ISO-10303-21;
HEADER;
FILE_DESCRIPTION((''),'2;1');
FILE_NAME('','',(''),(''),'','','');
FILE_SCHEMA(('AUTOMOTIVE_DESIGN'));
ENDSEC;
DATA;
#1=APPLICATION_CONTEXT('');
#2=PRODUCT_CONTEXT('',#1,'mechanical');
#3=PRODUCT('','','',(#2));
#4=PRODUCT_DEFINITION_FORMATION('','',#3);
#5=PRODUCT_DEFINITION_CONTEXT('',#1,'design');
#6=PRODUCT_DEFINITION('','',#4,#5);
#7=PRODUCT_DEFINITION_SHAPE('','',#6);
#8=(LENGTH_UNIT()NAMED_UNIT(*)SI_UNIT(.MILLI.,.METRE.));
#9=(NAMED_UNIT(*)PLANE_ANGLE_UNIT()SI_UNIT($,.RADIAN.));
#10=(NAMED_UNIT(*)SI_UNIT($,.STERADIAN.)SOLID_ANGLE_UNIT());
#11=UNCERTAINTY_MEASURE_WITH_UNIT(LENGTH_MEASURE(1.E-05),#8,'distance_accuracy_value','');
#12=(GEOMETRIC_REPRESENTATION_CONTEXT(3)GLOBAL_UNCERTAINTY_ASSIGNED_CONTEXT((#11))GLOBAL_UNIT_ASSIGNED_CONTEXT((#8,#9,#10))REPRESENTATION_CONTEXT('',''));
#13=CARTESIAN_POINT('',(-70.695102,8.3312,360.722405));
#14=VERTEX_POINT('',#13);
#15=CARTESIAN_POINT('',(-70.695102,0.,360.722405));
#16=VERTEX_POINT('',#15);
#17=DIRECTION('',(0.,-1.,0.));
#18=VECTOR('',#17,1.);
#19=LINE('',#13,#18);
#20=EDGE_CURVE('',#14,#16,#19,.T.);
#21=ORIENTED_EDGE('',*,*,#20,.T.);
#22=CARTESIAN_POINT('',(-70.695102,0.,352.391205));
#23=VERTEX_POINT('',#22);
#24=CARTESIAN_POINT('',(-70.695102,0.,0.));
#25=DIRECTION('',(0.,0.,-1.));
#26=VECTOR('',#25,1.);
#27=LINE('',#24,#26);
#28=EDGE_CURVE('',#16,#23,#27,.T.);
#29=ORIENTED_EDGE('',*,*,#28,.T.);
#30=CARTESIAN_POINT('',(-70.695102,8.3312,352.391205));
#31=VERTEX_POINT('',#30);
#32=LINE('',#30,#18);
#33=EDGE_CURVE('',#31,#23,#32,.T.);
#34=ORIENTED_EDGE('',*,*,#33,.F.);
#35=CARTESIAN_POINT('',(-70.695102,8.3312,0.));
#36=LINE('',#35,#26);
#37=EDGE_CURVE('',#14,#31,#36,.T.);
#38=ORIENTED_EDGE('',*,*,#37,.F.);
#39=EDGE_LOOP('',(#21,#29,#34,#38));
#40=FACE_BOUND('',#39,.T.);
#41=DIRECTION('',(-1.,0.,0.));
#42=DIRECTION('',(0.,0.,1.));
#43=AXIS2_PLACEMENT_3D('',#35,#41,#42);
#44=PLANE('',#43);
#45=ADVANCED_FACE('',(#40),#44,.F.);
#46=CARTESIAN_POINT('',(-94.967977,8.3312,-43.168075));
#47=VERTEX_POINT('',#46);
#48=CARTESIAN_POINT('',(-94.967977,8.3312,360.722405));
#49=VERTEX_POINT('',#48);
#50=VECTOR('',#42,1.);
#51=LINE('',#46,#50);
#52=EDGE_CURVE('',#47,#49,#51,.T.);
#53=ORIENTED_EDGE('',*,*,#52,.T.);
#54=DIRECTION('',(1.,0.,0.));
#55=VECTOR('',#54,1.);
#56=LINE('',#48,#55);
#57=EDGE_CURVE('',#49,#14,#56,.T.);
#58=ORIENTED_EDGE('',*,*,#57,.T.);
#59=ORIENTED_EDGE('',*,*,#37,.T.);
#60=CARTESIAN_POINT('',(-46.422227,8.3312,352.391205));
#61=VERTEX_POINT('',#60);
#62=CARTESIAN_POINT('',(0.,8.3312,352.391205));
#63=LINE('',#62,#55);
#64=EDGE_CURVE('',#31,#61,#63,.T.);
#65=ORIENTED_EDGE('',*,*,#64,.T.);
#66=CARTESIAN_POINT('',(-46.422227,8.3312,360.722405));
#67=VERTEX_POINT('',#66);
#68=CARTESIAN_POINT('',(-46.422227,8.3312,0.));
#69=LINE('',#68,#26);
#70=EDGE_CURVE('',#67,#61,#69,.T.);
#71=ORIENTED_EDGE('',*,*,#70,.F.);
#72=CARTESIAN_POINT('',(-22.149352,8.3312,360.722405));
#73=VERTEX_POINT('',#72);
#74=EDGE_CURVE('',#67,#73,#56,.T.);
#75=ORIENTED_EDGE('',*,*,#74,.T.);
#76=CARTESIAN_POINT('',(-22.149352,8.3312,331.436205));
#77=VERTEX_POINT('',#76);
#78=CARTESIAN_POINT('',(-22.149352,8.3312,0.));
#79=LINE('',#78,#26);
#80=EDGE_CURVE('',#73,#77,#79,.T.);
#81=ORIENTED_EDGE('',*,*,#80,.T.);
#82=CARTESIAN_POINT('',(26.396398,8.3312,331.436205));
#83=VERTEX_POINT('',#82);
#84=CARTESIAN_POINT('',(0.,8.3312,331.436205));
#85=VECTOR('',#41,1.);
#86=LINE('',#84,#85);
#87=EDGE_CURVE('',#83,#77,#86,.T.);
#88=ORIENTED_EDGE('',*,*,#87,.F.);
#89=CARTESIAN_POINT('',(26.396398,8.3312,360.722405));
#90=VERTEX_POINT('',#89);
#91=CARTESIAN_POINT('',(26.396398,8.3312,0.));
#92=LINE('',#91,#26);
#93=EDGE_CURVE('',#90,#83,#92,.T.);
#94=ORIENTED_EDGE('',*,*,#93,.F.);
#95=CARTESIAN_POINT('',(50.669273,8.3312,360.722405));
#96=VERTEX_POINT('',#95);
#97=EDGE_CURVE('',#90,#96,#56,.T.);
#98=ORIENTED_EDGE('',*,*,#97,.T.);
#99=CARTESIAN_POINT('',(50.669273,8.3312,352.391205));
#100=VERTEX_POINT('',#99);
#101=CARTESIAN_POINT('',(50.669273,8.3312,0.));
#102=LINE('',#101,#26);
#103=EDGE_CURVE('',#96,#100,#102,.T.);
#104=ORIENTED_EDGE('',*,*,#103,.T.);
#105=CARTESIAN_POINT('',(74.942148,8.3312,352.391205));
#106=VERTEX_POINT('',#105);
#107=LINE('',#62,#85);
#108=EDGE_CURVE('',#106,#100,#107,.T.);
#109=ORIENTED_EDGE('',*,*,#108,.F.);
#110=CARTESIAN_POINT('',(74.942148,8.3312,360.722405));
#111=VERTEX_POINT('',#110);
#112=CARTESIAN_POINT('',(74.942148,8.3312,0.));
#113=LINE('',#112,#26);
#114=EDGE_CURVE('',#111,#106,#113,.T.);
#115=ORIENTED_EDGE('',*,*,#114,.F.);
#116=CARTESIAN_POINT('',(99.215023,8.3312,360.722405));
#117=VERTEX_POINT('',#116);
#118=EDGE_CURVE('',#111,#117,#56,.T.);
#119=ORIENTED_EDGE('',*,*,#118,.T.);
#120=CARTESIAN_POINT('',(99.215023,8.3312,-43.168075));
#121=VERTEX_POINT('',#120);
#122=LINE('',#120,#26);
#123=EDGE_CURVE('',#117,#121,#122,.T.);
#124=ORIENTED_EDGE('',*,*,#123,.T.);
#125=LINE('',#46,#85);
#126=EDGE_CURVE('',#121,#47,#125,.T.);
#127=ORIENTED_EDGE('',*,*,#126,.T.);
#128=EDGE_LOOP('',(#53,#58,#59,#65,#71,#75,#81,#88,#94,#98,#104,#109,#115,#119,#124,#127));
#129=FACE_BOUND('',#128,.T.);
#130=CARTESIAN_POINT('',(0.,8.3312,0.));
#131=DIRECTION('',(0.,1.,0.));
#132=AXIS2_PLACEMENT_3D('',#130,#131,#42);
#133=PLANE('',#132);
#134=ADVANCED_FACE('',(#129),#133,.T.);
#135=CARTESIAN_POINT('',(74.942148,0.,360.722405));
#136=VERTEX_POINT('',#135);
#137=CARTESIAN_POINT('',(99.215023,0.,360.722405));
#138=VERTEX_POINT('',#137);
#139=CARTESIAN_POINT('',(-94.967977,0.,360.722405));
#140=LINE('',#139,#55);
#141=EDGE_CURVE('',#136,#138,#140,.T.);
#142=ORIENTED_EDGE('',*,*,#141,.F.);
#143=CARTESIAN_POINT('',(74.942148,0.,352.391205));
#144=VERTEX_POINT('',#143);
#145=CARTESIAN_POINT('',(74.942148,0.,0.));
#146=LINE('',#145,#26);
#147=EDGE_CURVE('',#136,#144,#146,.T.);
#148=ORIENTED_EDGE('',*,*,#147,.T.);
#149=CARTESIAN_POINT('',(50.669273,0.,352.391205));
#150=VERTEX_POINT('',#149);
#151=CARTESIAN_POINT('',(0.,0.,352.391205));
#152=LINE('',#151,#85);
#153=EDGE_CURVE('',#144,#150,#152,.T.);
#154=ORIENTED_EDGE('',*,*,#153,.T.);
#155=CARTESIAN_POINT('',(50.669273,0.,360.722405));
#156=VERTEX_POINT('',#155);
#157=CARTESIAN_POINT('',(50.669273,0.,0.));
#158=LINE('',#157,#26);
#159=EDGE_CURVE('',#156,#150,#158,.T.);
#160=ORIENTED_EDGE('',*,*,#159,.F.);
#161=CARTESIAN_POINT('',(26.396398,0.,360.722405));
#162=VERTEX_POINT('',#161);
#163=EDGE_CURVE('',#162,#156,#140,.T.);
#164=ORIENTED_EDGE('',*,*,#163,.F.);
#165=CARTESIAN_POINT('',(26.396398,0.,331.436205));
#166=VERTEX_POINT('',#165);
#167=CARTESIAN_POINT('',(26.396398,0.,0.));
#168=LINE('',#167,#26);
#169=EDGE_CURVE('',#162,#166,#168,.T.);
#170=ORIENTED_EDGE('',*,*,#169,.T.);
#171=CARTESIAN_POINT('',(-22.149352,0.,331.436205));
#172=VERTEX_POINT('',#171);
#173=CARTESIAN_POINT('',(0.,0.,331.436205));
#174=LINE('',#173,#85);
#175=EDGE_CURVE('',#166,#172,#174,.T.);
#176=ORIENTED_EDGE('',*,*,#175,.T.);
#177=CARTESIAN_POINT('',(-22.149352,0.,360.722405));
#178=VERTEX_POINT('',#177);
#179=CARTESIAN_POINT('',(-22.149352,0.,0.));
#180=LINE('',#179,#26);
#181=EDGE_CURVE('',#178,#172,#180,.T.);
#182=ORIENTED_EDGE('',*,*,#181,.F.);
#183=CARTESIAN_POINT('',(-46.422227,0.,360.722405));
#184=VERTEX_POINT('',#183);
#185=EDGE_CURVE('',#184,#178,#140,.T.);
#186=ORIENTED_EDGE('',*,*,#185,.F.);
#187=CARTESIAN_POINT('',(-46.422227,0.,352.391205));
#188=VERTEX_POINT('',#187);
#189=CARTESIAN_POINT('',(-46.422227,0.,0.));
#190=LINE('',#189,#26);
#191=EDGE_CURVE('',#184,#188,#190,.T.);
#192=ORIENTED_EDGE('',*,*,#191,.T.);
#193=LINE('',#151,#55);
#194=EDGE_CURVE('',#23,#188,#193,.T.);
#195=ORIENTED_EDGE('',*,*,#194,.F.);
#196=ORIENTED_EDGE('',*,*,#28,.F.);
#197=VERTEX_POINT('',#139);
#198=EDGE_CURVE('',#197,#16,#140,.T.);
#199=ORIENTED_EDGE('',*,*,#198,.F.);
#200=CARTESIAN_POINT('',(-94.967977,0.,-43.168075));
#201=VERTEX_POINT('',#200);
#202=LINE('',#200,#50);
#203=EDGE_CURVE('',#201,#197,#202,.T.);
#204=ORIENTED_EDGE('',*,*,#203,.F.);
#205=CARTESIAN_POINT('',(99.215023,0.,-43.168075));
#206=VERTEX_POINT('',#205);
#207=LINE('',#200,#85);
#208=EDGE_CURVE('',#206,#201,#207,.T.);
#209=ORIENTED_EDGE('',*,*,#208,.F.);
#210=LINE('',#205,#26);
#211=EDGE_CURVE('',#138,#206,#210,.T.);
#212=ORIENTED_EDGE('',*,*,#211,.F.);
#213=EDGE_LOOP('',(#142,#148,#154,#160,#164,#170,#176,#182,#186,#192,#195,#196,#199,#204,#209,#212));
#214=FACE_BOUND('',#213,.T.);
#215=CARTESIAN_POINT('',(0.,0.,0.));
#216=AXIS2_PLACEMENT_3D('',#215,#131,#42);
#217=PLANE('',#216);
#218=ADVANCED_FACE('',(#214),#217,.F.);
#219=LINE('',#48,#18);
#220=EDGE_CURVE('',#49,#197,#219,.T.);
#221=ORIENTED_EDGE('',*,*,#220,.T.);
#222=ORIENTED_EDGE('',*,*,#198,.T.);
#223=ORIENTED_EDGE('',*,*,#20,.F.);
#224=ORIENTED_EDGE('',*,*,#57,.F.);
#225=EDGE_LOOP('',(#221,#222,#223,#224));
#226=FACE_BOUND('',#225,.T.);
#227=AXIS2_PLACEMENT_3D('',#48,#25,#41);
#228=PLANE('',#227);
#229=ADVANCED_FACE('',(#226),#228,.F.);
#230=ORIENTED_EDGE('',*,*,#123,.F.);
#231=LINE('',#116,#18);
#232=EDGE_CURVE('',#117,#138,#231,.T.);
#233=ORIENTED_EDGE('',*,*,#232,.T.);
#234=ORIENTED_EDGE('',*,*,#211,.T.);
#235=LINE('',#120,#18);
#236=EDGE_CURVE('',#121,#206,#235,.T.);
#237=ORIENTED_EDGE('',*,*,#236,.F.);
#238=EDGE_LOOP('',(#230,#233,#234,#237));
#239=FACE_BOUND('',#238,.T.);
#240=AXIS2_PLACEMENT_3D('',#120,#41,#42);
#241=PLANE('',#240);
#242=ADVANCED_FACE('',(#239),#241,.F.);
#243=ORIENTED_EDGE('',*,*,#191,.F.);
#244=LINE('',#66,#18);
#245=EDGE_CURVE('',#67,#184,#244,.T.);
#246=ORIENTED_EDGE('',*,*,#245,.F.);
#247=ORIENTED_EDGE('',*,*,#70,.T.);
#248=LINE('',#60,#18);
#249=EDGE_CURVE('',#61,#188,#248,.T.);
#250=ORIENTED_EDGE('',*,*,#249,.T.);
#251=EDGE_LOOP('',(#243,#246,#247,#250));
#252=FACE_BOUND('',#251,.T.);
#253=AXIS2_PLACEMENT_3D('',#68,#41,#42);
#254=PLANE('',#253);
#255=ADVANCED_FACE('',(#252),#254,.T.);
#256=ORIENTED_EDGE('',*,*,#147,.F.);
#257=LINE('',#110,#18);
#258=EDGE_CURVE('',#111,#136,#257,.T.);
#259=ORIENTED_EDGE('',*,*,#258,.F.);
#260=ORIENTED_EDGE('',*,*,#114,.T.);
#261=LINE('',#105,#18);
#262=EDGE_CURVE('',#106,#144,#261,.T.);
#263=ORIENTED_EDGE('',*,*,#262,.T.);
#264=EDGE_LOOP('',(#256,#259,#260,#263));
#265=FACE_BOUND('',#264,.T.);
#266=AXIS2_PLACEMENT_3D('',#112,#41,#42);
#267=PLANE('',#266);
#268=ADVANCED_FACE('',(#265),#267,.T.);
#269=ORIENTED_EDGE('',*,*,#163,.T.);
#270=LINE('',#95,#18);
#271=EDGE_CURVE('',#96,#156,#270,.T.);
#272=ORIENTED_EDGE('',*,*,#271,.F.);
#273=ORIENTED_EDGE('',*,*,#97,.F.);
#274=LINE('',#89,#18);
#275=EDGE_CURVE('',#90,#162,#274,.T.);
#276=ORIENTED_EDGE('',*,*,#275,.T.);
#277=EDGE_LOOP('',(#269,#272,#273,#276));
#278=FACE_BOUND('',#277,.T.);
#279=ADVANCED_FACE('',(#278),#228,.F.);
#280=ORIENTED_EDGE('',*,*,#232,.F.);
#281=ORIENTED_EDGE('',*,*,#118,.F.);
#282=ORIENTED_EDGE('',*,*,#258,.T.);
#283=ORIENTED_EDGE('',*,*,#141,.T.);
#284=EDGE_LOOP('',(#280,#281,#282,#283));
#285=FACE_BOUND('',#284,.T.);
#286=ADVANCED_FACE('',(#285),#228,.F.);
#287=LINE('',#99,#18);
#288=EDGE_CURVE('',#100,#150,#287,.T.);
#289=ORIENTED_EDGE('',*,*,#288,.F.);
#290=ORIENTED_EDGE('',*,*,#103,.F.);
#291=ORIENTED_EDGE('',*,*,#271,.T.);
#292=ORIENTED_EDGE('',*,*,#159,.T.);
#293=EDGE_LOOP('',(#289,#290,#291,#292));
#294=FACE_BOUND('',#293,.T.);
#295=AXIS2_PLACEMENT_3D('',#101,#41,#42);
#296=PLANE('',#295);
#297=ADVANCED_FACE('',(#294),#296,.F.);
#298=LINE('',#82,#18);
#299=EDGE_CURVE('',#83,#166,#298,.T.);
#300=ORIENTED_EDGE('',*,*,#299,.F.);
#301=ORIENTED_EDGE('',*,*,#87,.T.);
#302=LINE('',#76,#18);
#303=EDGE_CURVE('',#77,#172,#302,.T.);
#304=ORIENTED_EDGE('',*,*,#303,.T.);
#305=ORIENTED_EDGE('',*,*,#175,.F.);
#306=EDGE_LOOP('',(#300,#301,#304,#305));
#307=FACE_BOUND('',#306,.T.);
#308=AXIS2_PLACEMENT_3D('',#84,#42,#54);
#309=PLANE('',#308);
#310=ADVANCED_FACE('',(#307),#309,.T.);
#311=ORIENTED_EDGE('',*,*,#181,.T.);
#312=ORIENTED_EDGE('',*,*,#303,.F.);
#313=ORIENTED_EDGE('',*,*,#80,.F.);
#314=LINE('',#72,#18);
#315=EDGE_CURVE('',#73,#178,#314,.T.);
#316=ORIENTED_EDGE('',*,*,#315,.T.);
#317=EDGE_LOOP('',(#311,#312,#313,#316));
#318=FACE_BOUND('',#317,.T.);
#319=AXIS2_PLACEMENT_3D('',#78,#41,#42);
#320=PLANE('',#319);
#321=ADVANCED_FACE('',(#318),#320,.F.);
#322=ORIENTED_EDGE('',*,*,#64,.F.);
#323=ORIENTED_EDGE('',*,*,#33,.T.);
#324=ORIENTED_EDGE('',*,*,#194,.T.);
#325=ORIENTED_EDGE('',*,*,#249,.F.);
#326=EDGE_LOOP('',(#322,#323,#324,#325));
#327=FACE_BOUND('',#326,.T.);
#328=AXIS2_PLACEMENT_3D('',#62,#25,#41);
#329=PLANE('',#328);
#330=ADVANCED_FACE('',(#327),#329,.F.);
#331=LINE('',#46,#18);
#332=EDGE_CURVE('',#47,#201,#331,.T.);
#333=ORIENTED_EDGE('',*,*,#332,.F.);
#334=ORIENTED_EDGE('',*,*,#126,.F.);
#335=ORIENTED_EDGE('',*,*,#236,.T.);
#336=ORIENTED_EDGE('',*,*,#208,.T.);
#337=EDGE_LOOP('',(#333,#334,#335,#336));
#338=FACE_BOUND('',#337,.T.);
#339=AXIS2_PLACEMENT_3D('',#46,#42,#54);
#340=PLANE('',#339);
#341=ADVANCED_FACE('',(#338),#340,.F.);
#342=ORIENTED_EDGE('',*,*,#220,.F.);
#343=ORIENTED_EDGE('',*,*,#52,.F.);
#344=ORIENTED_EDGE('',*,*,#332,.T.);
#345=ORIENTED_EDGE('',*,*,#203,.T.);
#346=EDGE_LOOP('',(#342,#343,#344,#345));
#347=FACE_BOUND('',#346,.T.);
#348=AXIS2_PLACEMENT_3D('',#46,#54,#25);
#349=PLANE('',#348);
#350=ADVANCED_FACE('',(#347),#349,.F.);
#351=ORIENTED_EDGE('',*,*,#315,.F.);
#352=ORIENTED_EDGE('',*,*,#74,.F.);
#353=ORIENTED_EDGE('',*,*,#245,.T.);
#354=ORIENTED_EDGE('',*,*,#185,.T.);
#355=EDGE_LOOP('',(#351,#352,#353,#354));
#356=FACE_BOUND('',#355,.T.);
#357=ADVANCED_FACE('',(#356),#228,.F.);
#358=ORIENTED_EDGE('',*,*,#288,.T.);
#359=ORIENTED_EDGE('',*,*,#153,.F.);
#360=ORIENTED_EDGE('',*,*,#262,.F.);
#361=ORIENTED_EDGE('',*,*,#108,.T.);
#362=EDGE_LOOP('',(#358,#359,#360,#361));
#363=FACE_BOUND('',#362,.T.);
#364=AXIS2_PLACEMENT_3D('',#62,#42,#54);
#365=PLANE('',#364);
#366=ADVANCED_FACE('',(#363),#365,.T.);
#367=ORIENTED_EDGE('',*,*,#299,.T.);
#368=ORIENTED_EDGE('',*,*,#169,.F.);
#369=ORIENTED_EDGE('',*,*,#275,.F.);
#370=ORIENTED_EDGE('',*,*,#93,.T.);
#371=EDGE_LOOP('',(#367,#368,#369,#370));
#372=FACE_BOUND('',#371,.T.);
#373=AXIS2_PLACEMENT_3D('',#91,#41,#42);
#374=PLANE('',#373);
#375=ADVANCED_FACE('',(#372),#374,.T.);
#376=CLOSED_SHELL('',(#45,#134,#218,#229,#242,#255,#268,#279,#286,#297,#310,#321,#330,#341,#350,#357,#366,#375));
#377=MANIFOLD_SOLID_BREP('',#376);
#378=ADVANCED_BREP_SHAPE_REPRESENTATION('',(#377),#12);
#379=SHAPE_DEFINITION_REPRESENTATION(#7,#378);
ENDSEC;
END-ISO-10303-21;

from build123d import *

# Parameters (mm, degrees)
SKETCH1_W           = 194.183
SKETCH1_H           = 403.89048
BOSS_EXTRUDE1_DEPTH = 8.3312
SKETCH2_W           = 24.272875
SKETCH2_H           = 8.3312
SKETCH2_H_2         = 29.2862
CUT_EXTRUDE1_DEPTH  = 375.210746987


with BuildPart() as part:
    # Sketch1 → Boss-Extrude1 (new body)
    with BuildSketch(Plane(origin=(0, 0, 0), x_dir=(1, 0, 0), z_dir=(0, 1, 0))):
        with Locations((2.123523474, -158.777164883)):
            Rectangle(SKETCH1_W, SKETCH1_H)
    extrude(amount=BOSS_EXTRUDE1_DEPTH)

    # Sketch2 → Cut-Extrude1 (cut, through all)
    with BuildSketch(Plane.XZ):
        with Locations((-58.558664026, 356.556804883)):
            Rectangle(SKETCH2_W, SKETCH2_H)
        with Locations((-10.012914026, 346.079304883)):
            Rectangle(SKETCH2_W, SKETCH2_H_2)
        with Locations((14.259960974, 346.079304883)):
            Rectangle(SKETCH2_W, SKETCH2_H_2)
        with Locations((62.805710974, 356.556804883)):
            Rectangle(SKETCH2_W, SKETCH2_H)
    extrude(amount=-CUT_EXTRUDE1_DEPTH, mode=Mode.SUBTRACT)


solid = part.part
